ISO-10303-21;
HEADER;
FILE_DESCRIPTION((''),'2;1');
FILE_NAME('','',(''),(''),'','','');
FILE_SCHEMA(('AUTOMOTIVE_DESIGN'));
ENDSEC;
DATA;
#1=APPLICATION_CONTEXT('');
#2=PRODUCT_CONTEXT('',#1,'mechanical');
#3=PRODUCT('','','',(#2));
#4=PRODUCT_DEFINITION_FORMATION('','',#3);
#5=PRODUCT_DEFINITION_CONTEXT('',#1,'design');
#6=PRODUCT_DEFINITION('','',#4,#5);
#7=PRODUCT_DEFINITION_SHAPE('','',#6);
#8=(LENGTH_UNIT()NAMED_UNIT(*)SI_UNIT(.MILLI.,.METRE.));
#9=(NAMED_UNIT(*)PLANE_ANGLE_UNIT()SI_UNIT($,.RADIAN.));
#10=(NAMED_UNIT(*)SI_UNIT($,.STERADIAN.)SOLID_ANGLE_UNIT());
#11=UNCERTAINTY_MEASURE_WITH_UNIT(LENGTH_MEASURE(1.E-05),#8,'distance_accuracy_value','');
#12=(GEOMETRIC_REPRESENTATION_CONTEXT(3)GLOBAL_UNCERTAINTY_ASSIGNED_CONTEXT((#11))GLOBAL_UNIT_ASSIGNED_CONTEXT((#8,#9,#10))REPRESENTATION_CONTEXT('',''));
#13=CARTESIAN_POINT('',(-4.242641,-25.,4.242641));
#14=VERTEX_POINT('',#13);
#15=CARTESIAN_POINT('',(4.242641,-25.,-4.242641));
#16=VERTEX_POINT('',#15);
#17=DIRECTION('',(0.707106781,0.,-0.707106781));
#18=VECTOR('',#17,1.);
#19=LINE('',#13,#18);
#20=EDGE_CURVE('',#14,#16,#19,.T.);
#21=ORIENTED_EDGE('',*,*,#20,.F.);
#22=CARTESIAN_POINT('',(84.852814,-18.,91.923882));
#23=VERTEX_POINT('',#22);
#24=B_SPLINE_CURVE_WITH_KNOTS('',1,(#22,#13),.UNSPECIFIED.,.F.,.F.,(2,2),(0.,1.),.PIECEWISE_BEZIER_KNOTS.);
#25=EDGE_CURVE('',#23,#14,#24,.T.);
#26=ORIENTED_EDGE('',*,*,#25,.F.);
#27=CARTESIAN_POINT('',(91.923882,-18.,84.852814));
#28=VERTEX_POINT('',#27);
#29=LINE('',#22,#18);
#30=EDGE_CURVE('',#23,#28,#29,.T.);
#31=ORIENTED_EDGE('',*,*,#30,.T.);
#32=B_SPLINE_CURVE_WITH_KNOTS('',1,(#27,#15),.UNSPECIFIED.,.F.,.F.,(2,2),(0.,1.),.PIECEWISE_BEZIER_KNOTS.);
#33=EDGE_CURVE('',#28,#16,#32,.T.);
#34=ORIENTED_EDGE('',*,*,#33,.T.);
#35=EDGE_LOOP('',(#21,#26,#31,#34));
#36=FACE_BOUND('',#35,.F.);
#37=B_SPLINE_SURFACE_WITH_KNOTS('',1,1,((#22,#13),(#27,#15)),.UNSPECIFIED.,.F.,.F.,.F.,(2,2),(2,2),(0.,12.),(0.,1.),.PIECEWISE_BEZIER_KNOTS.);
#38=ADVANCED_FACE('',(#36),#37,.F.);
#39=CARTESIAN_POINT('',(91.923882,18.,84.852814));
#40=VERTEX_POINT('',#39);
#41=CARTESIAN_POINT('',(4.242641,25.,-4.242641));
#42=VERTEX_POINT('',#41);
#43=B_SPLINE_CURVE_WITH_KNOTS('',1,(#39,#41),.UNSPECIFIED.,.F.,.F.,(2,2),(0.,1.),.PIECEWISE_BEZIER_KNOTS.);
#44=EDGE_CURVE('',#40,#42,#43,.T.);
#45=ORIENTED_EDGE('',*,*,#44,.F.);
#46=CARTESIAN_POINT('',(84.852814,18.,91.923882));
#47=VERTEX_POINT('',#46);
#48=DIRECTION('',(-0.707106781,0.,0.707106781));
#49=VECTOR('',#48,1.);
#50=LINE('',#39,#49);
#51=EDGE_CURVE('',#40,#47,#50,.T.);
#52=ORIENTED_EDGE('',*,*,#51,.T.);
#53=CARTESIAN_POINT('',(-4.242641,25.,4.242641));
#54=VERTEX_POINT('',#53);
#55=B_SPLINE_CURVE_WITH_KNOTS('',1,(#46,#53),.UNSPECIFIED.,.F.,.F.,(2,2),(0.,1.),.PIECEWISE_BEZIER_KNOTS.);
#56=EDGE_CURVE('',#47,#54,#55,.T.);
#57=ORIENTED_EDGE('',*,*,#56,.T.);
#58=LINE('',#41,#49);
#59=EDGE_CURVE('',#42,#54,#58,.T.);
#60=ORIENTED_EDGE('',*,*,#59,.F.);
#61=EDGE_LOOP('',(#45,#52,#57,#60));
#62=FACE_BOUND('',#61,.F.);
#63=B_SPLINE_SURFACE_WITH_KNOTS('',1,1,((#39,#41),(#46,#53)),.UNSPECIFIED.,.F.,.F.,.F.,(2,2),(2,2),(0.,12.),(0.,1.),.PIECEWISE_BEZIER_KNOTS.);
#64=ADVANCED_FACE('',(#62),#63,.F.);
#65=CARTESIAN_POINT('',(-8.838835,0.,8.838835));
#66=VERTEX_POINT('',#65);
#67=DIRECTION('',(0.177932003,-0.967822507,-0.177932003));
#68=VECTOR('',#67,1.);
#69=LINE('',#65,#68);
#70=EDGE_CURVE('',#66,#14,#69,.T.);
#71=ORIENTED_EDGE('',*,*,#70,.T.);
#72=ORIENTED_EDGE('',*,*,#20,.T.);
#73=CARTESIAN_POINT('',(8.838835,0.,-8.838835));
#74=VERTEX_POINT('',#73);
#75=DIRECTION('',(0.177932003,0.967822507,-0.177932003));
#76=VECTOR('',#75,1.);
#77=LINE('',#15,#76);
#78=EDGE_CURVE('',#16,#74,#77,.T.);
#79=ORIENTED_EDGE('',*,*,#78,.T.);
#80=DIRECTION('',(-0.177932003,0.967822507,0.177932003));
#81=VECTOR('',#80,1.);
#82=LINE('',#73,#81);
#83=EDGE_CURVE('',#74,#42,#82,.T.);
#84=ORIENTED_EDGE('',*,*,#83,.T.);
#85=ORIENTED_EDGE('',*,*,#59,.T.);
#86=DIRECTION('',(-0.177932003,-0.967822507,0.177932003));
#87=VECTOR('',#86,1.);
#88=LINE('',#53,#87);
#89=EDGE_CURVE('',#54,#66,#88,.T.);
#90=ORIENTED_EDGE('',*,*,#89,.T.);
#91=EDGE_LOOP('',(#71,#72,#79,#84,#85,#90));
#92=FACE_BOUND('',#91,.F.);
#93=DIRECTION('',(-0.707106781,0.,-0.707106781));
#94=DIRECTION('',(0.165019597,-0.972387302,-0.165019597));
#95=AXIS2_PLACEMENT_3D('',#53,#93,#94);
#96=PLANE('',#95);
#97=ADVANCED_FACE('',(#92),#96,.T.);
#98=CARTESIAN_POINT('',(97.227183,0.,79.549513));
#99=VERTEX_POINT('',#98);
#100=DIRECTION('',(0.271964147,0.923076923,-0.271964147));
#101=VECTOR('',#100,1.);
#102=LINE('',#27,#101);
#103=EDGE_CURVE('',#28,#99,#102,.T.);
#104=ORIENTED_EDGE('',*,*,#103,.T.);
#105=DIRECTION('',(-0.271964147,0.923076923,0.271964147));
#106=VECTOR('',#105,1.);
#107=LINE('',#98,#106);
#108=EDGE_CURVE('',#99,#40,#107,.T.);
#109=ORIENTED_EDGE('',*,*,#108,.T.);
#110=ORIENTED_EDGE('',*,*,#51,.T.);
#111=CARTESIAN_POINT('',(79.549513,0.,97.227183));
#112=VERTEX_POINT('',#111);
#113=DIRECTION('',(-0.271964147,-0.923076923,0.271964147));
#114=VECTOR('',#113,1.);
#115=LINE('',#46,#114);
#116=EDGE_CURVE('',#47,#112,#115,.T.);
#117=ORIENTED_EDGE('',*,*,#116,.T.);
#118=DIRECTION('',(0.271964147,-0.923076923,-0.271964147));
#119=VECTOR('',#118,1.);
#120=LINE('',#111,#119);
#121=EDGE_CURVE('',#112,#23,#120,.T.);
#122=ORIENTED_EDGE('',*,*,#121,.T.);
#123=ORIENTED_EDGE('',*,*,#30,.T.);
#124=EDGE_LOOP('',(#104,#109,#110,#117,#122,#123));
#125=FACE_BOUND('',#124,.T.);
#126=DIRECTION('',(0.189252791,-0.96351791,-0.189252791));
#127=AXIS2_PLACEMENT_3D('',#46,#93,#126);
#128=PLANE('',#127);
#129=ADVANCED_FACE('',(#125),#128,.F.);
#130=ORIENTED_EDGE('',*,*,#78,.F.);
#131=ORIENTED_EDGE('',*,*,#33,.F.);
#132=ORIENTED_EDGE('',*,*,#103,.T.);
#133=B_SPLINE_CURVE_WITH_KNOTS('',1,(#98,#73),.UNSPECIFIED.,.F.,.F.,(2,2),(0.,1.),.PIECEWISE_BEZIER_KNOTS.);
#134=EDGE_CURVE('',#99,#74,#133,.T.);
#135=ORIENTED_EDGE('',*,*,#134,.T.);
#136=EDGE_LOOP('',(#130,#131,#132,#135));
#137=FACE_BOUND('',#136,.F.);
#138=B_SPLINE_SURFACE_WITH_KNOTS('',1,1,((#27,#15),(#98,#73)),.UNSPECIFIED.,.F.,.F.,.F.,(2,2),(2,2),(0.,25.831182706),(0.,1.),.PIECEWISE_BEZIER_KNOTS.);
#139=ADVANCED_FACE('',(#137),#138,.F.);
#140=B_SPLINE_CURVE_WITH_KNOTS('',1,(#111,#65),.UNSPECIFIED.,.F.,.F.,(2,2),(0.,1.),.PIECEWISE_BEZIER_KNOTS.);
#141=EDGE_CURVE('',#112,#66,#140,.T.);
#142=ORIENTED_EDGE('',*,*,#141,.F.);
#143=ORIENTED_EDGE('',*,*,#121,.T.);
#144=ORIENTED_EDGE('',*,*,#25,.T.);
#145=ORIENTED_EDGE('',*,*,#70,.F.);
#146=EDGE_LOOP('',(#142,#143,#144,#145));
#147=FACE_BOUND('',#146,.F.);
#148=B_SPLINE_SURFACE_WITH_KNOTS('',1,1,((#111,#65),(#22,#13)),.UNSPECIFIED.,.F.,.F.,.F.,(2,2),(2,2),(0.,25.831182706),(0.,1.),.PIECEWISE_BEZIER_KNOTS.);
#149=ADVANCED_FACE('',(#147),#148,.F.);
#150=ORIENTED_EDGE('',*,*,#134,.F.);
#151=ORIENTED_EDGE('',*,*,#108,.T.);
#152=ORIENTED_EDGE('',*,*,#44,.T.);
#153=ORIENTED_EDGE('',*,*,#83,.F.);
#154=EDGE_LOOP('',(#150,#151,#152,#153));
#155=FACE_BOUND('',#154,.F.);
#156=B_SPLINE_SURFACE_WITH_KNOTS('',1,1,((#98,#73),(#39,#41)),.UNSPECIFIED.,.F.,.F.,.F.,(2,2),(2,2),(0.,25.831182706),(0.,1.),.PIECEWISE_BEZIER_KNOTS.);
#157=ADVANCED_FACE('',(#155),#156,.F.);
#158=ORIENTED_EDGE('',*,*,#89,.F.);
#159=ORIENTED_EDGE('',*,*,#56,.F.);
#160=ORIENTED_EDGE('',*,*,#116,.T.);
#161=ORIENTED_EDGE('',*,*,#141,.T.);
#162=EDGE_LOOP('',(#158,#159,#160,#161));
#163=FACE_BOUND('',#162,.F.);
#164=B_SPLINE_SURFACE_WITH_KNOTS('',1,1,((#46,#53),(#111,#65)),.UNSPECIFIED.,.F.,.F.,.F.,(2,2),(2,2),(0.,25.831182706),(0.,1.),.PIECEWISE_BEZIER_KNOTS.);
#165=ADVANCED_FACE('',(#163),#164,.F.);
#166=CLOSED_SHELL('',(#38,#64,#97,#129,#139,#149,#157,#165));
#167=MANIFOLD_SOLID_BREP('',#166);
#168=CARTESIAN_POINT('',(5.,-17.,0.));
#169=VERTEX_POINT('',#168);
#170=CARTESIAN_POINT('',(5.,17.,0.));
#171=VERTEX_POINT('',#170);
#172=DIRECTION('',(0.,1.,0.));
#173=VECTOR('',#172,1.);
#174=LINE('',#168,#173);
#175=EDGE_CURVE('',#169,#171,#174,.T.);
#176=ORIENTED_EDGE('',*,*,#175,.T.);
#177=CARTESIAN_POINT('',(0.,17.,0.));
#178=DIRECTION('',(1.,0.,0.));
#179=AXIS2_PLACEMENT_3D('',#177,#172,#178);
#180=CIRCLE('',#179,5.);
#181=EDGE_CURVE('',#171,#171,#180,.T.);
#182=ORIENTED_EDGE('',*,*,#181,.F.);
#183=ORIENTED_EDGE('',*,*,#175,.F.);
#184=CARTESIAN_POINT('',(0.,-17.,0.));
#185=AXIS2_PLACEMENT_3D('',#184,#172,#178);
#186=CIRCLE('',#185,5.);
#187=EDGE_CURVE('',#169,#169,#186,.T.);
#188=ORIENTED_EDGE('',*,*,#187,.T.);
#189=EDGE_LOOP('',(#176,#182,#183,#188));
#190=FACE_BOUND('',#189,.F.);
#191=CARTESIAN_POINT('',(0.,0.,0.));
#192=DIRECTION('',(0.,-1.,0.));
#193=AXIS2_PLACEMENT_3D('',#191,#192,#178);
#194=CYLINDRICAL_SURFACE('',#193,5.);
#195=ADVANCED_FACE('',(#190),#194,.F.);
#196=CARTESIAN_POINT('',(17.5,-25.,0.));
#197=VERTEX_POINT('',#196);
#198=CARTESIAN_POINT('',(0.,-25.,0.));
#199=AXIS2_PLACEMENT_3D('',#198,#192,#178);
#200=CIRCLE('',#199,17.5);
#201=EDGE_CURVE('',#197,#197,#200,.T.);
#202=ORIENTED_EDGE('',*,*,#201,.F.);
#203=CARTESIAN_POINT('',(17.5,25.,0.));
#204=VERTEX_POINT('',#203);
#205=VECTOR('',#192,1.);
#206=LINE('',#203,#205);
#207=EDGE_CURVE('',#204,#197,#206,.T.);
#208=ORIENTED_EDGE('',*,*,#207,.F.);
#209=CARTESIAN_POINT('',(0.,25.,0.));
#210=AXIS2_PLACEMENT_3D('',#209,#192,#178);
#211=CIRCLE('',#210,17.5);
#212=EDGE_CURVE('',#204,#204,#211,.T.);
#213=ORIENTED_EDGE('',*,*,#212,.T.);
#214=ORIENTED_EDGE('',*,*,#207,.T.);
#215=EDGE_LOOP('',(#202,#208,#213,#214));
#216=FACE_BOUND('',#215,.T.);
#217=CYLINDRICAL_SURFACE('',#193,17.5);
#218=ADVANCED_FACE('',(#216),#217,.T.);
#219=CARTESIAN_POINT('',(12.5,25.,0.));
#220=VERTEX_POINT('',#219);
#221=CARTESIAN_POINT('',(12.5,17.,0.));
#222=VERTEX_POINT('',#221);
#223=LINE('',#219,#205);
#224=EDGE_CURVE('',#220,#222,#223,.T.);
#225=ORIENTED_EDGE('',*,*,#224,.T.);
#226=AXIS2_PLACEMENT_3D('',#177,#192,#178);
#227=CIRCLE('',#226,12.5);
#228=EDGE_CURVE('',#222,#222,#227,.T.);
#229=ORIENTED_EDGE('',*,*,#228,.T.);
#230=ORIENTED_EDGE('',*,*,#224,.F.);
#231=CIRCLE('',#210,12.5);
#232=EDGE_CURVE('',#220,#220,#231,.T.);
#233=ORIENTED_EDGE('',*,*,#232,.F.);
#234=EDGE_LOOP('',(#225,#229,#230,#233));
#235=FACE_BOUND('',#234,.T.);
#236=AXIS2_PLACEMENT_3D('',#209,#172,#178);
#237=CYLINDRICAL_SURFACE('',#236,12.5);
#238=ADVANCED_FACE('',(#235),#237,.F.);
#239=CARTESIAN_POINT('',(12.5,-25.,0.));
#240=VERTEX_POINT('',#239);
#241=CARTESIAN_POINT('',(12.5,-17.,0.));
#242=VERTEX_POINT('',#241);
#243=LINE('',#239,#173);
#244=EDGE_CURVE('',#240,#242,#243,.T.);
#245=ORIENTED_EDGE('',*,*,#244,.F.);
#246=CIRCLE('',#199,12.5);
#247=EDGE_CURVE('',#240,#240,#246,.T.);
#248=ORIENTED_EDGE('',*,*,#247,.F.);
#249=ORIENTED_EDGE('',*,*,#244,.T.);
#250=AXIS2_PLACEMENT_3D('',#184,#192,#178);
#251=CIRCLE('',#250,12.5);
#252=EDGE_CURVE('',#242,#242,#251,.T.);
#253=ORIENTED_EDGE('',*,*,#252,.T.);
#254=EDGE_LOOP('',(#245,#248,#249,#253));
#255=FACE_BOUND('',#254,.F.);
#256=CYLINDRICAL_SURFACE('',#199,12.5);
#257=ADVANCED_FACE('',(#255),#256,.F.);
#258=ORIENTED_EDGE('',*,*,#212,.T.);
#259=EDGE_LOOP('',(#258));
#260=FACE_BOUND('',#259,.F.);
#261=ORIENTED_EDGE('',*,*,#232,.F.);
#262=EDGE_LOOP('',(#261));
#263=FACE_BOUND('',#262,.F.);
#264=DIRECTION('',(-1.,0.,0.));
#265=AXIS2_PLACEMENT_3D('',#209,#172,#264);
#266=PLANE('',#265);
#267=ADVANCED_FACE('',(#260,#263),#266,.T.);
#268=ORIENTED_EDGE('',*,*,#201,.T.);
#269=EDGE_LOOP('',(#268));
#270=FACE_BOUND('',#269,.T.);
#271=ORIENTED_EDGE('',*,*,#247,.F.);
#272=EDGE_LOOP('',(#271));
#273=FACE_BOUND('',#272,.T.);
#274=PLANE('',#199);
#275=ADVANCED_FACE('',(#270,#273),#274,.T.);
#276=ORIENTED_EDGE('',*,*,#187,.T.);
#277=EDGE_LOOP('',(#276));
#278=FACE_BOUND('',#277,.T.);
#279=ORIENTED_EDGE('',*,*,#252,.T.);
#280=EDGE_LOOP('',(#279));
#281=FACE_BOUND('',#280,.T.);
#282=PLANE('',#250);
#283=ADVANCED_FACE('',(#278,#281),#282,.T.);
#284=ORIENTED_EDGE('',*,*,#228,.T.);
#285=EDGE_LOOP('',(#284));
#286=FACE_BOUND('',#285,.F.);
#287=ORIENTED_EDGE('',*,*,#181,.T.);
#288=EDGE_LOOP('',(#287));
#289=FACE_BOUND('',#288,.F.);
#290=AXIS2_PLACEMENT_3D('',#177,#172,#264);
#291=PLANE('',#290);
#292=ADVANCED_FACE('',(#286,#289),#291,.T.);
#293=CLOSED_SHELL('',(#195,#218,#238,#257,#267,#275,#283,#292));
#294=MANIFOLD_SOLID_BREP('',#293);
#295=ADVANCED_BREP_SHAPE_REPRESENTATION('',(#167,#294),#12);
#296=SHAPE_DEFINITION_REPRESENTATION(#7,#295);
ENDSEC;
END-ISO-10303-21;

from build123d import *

# Parameters (mm, degrees)
F1_R     = 17.5
F1_R_2   = 5
F2_DEPTH = 25
F3_R     = 12.5
F4_DEPTH = 8


with BuildPart() as f2:
    # F1 (on Front) → F2 (new body)
    with BuildSketch(Plane.XZ):
        Circle(F1_R)
        Circle(F1_R_2, mode=Mode.SUBTRACT)
    extrude(amount=F2_DEPTH)

    # F3 (on face) → F4 (cut)
    with BuildSketch(Plane.XZ.offset(25)):
        Circle(F3_R)
    extrude(amount=-F4_DEPTH, mode=Mode.SUBTRACT)

    # F5: F2 across plane


with BuildPart() as f2_1:
    add(f2.part)
    add(f2.part.mirror(Plane.XZ))


with BuildPart() as f10:
    # F7 (on face) → F10 section 0
    with BuildSketch(Plane(origin=(88.388348, 0, 88.388348), x_dir=(0, 1, 0), z_dir=(0.707107, 0, 0.707107))):
        Polygon((18, 5), (0, 12.5), (-18, 5), (-18, -5), (0, -12.5), (18, -5), align=None)
    # F9 (on face) → F10 section 1
    with BuildSketch(Plane(origin=(0, 0, 0), x_dir=(0, 1, 0), z_dir=(0.707107, 0, 0.707107))):
        Polygon((0, 12.5), (-25, 6), (-25, -6), (0, -12.5), (25, -6), (25, 6), align=None)
    loft()


solid = Compound([f2_1.part, f10.part])
